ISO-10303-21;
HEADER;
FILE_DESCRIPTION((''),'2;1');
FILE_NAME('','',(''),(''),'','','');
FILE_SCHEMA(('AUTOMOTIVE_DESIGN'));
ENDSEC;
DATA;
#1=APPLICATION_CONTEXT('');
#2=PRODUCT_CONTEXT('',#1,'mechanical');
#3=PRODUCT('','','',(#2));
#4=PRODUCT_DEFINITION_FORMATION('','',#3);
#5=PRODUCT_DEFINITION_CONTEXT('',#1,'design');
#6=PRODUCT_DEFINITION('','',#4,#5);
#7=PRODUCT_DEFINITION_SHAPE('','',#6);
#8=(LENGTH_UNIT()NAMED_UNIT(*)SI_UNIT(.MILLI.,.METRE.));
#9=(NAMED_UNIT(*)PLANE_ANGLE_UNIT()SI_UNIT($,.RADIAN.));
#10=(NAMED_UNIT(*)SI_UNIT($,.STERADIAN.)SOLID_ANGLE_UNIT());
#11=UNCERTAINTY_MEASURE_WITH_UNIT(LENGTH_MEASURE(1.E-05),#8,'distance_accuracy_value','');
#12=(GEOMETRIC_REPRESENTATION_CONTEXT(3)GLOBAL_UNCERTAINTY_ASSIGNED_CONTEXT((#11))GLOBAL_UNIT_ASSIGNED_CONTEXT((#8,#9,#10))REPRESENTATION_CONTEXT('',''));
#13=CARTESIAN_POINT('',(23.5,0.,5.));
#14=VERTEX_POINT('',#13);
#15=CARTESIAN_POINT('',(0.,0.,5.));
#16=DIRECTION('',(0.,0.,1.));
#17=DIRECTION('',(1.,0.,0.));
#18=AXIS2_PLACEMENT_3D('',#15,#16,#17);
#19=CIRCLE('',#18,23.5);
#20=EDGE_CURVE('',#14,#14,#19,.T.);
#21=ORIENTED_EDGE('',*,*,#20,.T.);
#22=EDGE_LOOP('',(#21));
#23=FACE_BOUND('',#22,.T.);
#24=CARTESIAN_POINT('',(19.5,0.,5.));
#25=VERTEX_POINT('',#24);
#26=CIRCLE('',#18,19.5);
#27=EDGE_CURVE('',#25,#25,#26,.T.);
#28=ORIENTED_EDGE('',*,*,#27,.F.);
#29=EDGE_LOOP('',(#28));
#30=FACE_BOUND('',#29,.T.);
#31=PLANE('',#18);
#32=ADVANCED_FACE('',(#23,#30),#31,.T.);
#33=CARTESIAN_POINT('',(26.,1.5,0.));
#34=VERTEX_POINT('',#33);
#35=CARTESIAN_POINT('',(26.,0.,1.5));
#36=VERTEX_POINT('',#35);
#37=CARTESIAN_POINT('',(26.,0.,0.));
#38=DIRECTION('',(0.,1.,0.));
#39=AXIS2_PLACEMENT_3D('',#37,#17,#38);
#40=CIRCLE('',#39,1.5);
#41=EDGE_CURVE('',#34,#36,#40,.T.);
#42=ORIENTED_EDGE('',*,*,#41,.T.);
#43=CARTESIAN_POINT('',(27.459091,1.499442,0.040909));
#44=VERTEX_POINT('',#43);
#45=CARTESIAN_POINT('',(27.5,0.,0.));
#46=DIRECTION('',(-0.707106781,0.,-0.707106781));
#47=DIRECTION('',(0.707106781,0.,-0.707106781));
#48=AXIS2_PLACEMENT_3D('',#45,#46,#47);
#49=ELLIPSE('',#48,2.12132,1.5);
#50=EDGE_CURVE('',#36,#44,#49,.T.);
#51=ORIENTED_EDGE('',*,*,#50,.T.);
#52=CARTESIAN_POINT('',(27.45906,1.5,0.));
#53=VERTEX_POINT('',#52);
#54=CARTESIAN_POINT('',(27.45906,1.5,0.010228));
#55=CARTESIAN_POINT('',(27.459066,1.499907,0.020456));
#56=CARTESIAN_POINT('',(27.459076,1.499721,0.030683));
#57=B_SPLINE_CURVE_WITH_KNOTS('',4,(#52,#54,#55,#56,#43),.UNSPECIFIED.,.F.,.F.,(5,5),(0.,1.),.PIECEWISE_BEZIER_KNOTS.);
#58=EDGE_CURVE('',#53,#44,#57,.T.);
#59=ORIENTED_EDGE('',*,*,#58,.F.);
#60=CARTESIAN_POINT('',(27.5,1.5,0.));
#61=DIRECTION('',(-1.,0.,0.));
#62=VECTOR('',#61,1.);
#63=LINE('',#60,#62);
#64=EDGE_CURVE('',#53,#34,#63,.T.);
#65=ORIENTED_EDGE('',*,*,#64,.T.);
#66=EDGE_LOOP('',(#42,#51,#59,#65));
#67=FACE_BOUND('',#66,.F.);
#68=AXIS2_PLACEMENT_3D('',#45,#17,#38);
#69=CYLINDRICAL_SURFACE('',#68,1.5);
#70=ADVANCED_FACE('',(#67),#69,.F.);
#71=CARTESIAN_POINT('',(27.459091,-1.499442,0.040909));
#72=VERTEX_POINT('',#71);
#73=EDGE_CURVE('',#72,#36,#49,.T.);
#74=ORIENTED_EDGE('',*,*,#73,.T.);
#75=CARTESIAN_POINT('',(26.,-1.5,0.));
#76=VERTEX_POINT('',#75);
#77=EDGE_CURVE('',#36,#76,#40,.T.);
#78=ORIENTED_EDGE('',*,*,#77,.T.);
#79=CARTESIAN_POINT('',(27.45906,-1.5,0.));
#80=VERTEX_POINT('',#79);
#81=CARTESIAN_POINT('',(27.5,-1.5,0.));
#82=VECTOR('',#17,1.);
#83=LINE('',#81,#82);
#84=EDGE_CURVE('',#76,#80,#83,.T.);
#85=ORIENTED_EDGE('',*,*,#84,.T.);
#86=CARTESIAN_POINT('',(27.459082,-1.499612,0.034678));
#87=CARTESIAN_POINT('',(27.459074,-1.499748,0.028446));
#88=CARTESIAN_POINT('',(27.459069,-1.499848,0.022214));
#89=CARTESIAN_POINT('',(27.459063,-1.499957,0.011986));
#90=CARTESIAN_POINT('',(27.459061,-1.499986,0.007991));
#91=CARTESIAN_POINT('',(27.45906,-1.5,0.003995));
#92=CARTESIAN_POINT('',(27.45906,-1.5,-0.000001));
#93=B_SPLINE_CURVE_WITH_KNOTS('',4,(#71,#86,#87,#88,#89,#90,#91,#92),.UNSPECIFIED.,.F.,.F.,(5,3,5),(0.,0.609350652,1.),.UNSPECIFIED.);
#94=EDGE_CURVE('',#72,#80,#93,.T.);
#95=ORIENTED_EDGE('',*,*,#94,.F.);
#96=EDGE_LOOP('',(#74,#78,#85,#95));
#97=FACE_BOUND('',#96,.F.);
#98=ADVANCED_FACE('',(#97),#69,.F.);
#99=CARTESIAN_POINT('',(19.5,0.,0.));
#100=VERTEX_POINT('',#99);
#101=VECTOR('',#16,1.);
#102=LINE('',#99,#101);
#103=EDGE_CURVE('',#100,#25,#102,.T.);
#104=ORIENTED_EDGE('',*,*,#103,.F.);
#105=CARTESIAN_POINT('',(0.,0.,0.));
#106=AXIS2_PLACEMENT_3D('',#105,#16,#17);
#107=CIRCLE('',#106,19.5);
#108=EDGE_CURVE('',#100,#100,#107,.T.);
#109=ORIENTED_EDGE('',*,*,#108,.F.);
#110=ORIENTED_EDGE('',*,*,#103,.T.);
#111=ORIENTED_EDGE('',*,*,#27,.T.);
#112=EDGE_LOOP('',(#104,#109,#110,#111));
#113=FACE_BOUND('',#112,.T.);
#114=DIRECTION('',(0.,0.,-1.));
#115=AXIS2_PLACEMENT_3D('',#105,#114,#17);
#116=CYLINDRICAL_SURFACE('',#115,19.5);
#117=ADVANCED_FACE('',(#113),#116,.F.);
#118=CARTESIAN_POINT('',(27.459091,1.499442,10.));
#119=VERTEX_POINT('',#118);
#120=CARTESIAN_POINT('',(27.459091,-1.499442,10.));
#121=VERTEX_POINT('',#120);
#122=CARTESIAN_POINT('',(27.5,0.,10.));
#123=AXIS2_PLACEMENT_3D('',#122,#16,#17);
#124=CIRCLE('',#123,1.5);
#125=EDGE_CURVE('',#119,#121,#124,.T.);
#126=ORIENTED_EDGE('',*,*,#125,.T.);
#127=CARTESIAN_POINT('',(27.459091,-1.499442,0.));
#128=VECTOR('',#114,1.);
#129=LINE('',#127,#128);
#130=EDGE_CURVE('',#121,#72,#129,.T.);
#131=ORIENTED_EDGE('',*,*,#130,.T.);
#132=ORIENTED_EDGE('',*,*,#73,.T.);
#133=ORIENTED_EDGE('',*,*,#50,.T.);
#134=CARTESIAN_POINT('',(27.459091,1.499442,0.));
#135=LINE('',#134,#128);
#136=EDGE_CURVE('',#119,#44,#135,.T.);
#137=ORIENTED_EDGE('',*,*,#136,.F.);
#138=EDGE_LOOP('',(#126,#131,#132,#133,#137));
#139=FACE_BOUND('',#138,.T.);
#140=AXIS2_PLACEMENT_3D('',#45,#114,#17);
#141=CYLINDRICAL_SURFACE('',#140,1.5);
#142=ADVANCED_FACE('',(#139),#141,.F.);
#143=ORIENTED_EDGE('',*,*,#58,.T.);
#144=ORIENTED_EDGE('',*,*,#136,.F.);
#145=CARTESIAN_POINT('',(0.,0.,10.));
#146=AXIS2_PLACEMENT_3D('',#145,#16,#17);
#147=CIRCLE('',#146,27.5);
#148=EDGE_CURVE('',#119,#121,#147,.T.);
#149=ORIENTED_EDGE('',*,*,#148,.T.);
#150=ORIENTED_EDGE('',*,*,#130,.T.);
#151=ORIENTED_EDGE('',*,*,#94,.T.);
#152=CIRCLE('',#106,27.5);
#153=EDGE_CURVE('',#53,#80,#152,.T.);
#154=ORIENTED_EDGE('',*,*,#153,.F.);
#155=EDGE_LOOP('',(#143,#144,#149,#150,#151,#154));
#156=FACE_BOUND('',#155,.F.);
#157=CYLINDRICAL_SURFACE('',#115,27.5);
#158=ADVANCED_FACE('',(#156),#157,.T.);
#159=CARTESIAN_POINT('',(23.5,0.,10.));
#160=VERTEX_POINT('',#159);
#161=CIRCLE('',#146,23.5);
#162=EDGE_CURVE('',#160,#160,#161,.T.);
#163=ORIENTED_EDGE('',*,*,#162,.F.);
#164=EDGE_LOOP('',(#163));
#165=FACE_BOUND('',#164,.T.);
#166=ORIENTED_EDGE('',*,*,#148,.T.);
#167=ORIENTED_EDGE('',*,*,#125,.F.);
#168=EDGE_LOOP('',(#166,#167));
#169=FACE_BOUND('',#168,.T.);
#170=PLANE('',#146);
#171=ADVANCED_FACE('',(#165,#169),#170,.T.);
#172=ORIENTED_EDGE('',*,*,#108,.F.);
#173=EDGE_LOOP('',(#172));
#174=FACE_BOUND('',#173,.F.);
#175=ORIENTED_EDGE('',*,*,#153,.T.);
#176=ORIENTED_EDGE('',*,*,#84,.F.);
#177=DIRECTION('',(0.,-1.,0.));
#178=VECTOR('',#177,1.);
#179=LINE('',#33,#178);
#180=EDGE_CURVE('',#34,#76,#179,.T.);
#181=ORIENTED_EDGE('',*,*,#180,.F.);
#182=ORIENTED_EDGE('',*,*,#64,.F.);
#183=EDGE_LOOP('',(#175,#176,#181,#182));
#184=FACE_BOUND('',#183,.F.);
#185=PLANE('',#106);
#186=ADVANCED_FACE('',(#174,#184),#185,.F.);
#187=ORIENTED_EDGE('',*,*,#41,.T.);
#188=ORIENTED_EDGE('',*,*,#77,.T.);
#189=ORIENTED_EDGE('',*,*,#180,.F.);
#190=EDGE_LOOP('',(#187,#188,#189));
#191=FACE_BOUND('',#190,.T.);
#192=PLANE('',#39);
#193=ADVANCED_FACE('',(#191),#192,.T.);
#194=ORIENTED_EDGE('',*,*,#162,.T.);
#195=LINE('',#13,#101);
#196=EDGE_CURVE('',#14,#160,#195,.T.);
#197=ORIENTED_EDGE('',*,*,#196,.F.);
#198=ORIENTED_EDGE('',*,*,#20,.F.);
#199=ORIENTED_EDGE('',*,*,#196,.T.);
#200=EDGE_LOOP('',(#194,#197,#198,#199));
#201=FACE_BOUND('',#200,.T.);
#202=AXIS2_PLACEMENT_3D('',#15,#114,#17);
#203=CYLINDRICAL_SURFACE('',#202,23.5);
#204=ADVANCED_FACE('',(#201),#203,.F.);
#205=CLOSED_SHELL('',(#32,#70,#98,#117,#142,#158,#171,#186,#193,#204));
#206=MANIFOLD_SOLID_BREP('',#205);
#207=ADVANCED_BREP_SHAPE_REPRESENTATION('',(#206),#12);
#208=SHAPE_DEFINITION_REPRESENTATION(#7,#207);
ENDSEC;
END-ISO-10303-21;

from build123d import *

# Parameters (mm, degrees)
SKETCH_R          = 27.5
SKETCH_R_2        = 19.5
PAD_DEPTH         = 10
SKETCH001_R       = 1.5
POCKET_DEPTH      = 10
SKETCH002_R       = 1.5
POCKET001_DEPTH   = 1.5
COPYSKETCH003_R   = 23.5
COPYSKETCH003_R_2 = 19.5
POCKET002_DEPTH   = 5


with BuildPart() as part:
    # Sketch → Pad (new body)
    with BuildSketch(Plane.XY):
        Circle(SKETCH_R)
        Circle(SKETCH_R_2, mode=Mode.SUBTRACT)
    extrude(amount=PAD_DEPTH)

    # Sketch001 → Pocket (cut)
    with BuildSketch(Plane(origin=(27.5, 0, 0), x_dir=(1, 0, 0), z_dir=(0, 0, 1))):
        Circle(SKETCH001_R)
    extrude(amount=POCKET_DEPTH, mode=Mode.SUBTRACT)

    # Sketch002 → Pocket001 (cut)
    with BuildSketch(Plane.YZ.offset(27.5)):
        Circle(SKETCH002_R)
    extrude(amount=-POCKET001_DEPTH, mode=Mode.SUBTRACT)

    # CopySketch003 → Pocket002 (cut)
    with BuildSketch(Plane.XY.offset(5)):
        Circle(COPYSKETCH003_R)
        Circle(COPYSKETCH003_R_2, mode=Mode.SUBTRACT)
    extrude(amount=POCKET002_DEPTH, mode=Mode.SUBTRACT)


solid = part.part
